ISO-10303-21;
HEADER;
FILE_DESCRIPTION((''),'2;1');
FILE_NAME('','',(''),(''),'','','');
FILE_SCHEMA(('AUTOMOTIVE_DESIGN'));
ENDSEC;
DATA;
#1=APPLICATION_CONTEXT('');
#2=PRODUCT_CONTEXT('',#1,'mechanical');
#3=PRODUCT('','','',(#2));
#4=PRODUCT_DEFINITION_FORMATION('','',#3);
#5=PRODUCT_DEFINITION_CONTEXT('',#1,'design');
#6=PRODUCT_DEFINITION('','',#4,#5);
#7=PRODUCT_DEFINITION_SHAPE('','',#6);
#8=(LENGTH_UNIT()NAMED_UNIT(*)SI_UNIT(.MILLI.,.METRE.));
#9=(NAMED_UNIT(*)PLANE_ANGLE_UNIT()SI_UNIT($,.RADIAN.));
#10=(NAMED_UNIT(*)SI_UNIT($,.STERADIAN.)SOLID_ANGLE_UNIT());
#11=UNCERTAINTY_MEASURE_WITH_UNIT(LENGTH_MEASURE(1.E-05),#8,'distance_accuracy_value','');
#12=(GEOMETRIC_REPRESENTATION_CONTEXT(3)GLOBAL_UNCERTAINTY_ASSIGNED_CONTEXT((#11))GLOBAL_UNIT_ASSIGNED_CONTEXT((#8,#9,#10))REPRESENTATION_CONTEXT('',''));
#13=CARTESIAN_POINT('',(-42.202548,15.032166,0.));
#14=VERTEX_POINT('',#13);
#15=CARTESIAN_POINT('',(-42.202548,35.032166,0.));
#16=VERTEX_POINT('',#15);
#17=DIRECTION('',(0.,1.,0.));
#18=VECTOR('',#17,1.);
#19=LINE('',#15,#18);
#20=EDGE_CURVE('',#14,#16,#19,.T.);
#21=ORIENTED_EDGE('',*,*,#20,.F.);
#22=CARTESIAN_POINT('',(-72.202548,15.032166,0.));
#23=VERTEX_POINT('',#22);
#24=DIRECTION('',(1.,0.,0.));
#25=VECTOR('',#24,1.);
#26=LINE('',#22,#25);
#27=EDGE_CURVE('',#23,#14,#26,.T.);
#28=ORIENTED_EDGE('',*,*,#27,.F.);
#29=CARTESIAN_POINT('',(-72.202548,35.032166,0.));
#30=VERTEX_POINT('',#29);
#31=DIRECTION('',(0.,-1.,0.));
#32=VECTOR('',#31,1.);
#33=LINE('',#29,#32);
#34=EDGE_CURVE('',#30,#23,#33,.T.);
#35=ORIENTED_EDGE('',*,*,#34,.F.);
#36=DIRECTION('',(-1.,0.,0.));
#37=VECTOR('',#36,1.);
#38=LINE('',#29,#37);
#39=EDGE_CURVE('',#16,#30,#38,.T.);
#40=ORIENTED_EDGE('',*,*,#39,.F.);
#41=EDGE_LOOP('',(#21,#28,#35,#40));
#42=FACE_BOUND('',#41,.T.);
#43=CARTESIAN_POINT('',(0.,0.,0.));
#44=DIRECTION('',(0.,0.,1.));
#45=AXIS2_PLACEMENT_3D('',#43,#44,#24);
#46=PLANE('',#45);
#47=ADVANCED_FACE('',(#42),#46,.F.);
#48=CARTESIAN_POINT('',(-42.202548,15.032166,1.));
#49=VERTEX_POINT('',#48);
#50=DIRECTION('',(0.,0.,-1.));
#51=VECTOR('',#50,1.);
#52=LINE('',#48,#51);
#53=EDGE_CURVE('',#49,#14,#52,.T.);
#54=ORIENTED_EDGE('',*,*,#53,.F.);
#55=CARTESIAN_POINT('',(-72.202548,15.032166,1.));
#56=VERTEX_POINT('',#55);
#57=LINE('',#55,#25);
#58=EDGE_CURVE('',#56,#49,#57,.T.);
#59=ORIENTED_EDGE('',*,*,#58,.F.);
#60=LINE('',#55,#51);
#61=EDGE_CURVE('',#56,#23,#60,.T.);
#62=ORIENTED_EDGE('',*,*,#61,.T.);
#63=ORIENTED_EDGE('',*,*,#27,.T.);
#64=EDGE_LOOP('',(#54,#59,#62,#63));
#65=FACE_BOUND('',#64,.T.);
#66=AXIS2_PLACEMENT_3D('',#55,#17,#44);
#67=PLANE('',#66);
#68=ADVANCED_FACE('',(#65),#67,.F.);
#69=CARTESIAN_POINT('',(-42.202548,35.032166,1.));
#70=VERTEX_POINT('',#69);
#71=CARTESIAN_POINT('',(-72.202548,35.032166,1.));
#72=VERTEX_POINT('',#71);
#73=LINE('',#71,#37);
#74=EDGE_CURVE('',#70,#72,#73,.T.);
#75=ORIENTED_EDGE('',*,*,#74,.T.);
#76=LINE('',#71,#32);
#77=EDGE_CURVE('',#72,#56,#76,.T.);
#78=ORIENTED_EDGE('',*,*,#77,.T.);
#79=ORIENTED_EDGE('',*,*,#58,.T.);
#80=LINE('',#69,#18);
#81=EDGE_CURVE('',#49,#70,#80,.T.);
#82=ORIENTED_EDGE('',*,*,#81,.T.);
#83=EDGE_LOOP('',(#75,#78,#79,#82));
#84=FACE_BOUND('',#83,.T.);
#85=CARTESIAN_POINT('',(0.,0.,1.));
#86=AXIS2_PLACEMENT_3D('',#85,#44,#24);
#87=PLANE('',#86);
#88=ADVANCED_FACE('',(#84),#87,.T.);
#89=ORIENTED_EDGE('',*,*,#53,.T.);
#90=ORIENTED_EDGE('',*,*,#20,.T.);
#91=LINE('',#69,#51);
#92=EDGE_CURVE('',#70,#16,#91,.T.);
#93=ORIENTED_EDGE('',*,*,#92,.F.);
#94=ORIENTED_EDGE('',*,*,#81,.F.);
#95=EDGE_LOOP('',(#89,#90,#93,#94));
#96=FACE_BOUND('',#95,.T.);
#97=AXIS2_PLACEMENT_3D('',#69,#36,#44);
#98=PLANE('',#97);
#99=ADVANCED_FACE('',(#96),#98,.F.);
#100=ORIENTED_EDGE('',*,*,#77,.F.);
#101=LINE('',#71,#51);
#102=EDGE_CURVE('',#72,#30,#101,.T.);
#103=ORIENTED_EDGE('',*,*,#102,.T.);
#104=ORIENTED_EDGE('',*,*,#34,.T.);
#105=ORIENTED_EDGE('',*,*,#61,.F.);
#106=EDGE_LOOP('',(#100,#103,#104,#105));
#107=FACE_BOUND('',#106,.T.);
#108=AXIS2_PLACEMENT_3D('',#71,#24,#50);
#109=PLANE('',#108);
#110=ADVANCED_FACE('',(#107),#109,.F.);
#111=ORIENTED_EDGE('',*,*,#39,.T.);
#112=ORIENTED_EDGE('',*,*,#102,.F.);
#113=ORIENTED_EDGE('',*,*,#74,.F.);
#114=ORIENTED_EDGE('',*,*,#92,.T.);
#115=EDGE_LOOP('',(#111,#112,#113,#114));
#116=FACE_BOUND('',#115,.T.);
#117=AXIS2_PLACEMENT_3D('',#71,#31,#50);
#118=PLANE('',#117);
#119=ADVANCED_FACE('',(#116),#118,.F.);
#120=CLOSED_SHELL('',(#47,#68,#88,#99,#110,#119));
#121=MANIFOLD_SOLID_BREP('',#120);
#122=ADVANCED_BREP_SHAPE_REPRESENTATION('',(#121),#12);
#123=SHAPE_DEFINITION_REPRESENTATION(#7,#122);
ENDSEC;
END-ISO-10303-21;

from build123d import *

# Parameters (mm, degrees)
CROQUIS1_W              = 30
CROQUIS1_H              = 20
SALIENTE_EXTRUIR1_DEPTH = 1


with BuildPart() as part:
    # Croquis1 → Saliente-Extruir1 (new body)
    with BuildSketch(Plane.XY):
        with Locations((-57.202547953, 25.032165878)):
            Rectangle(CROQUIS1_W, CROQUIS1_H)
    extrude(amount=SALIENTE_EXTRUIR1_DEPTH)


solid = part.part
